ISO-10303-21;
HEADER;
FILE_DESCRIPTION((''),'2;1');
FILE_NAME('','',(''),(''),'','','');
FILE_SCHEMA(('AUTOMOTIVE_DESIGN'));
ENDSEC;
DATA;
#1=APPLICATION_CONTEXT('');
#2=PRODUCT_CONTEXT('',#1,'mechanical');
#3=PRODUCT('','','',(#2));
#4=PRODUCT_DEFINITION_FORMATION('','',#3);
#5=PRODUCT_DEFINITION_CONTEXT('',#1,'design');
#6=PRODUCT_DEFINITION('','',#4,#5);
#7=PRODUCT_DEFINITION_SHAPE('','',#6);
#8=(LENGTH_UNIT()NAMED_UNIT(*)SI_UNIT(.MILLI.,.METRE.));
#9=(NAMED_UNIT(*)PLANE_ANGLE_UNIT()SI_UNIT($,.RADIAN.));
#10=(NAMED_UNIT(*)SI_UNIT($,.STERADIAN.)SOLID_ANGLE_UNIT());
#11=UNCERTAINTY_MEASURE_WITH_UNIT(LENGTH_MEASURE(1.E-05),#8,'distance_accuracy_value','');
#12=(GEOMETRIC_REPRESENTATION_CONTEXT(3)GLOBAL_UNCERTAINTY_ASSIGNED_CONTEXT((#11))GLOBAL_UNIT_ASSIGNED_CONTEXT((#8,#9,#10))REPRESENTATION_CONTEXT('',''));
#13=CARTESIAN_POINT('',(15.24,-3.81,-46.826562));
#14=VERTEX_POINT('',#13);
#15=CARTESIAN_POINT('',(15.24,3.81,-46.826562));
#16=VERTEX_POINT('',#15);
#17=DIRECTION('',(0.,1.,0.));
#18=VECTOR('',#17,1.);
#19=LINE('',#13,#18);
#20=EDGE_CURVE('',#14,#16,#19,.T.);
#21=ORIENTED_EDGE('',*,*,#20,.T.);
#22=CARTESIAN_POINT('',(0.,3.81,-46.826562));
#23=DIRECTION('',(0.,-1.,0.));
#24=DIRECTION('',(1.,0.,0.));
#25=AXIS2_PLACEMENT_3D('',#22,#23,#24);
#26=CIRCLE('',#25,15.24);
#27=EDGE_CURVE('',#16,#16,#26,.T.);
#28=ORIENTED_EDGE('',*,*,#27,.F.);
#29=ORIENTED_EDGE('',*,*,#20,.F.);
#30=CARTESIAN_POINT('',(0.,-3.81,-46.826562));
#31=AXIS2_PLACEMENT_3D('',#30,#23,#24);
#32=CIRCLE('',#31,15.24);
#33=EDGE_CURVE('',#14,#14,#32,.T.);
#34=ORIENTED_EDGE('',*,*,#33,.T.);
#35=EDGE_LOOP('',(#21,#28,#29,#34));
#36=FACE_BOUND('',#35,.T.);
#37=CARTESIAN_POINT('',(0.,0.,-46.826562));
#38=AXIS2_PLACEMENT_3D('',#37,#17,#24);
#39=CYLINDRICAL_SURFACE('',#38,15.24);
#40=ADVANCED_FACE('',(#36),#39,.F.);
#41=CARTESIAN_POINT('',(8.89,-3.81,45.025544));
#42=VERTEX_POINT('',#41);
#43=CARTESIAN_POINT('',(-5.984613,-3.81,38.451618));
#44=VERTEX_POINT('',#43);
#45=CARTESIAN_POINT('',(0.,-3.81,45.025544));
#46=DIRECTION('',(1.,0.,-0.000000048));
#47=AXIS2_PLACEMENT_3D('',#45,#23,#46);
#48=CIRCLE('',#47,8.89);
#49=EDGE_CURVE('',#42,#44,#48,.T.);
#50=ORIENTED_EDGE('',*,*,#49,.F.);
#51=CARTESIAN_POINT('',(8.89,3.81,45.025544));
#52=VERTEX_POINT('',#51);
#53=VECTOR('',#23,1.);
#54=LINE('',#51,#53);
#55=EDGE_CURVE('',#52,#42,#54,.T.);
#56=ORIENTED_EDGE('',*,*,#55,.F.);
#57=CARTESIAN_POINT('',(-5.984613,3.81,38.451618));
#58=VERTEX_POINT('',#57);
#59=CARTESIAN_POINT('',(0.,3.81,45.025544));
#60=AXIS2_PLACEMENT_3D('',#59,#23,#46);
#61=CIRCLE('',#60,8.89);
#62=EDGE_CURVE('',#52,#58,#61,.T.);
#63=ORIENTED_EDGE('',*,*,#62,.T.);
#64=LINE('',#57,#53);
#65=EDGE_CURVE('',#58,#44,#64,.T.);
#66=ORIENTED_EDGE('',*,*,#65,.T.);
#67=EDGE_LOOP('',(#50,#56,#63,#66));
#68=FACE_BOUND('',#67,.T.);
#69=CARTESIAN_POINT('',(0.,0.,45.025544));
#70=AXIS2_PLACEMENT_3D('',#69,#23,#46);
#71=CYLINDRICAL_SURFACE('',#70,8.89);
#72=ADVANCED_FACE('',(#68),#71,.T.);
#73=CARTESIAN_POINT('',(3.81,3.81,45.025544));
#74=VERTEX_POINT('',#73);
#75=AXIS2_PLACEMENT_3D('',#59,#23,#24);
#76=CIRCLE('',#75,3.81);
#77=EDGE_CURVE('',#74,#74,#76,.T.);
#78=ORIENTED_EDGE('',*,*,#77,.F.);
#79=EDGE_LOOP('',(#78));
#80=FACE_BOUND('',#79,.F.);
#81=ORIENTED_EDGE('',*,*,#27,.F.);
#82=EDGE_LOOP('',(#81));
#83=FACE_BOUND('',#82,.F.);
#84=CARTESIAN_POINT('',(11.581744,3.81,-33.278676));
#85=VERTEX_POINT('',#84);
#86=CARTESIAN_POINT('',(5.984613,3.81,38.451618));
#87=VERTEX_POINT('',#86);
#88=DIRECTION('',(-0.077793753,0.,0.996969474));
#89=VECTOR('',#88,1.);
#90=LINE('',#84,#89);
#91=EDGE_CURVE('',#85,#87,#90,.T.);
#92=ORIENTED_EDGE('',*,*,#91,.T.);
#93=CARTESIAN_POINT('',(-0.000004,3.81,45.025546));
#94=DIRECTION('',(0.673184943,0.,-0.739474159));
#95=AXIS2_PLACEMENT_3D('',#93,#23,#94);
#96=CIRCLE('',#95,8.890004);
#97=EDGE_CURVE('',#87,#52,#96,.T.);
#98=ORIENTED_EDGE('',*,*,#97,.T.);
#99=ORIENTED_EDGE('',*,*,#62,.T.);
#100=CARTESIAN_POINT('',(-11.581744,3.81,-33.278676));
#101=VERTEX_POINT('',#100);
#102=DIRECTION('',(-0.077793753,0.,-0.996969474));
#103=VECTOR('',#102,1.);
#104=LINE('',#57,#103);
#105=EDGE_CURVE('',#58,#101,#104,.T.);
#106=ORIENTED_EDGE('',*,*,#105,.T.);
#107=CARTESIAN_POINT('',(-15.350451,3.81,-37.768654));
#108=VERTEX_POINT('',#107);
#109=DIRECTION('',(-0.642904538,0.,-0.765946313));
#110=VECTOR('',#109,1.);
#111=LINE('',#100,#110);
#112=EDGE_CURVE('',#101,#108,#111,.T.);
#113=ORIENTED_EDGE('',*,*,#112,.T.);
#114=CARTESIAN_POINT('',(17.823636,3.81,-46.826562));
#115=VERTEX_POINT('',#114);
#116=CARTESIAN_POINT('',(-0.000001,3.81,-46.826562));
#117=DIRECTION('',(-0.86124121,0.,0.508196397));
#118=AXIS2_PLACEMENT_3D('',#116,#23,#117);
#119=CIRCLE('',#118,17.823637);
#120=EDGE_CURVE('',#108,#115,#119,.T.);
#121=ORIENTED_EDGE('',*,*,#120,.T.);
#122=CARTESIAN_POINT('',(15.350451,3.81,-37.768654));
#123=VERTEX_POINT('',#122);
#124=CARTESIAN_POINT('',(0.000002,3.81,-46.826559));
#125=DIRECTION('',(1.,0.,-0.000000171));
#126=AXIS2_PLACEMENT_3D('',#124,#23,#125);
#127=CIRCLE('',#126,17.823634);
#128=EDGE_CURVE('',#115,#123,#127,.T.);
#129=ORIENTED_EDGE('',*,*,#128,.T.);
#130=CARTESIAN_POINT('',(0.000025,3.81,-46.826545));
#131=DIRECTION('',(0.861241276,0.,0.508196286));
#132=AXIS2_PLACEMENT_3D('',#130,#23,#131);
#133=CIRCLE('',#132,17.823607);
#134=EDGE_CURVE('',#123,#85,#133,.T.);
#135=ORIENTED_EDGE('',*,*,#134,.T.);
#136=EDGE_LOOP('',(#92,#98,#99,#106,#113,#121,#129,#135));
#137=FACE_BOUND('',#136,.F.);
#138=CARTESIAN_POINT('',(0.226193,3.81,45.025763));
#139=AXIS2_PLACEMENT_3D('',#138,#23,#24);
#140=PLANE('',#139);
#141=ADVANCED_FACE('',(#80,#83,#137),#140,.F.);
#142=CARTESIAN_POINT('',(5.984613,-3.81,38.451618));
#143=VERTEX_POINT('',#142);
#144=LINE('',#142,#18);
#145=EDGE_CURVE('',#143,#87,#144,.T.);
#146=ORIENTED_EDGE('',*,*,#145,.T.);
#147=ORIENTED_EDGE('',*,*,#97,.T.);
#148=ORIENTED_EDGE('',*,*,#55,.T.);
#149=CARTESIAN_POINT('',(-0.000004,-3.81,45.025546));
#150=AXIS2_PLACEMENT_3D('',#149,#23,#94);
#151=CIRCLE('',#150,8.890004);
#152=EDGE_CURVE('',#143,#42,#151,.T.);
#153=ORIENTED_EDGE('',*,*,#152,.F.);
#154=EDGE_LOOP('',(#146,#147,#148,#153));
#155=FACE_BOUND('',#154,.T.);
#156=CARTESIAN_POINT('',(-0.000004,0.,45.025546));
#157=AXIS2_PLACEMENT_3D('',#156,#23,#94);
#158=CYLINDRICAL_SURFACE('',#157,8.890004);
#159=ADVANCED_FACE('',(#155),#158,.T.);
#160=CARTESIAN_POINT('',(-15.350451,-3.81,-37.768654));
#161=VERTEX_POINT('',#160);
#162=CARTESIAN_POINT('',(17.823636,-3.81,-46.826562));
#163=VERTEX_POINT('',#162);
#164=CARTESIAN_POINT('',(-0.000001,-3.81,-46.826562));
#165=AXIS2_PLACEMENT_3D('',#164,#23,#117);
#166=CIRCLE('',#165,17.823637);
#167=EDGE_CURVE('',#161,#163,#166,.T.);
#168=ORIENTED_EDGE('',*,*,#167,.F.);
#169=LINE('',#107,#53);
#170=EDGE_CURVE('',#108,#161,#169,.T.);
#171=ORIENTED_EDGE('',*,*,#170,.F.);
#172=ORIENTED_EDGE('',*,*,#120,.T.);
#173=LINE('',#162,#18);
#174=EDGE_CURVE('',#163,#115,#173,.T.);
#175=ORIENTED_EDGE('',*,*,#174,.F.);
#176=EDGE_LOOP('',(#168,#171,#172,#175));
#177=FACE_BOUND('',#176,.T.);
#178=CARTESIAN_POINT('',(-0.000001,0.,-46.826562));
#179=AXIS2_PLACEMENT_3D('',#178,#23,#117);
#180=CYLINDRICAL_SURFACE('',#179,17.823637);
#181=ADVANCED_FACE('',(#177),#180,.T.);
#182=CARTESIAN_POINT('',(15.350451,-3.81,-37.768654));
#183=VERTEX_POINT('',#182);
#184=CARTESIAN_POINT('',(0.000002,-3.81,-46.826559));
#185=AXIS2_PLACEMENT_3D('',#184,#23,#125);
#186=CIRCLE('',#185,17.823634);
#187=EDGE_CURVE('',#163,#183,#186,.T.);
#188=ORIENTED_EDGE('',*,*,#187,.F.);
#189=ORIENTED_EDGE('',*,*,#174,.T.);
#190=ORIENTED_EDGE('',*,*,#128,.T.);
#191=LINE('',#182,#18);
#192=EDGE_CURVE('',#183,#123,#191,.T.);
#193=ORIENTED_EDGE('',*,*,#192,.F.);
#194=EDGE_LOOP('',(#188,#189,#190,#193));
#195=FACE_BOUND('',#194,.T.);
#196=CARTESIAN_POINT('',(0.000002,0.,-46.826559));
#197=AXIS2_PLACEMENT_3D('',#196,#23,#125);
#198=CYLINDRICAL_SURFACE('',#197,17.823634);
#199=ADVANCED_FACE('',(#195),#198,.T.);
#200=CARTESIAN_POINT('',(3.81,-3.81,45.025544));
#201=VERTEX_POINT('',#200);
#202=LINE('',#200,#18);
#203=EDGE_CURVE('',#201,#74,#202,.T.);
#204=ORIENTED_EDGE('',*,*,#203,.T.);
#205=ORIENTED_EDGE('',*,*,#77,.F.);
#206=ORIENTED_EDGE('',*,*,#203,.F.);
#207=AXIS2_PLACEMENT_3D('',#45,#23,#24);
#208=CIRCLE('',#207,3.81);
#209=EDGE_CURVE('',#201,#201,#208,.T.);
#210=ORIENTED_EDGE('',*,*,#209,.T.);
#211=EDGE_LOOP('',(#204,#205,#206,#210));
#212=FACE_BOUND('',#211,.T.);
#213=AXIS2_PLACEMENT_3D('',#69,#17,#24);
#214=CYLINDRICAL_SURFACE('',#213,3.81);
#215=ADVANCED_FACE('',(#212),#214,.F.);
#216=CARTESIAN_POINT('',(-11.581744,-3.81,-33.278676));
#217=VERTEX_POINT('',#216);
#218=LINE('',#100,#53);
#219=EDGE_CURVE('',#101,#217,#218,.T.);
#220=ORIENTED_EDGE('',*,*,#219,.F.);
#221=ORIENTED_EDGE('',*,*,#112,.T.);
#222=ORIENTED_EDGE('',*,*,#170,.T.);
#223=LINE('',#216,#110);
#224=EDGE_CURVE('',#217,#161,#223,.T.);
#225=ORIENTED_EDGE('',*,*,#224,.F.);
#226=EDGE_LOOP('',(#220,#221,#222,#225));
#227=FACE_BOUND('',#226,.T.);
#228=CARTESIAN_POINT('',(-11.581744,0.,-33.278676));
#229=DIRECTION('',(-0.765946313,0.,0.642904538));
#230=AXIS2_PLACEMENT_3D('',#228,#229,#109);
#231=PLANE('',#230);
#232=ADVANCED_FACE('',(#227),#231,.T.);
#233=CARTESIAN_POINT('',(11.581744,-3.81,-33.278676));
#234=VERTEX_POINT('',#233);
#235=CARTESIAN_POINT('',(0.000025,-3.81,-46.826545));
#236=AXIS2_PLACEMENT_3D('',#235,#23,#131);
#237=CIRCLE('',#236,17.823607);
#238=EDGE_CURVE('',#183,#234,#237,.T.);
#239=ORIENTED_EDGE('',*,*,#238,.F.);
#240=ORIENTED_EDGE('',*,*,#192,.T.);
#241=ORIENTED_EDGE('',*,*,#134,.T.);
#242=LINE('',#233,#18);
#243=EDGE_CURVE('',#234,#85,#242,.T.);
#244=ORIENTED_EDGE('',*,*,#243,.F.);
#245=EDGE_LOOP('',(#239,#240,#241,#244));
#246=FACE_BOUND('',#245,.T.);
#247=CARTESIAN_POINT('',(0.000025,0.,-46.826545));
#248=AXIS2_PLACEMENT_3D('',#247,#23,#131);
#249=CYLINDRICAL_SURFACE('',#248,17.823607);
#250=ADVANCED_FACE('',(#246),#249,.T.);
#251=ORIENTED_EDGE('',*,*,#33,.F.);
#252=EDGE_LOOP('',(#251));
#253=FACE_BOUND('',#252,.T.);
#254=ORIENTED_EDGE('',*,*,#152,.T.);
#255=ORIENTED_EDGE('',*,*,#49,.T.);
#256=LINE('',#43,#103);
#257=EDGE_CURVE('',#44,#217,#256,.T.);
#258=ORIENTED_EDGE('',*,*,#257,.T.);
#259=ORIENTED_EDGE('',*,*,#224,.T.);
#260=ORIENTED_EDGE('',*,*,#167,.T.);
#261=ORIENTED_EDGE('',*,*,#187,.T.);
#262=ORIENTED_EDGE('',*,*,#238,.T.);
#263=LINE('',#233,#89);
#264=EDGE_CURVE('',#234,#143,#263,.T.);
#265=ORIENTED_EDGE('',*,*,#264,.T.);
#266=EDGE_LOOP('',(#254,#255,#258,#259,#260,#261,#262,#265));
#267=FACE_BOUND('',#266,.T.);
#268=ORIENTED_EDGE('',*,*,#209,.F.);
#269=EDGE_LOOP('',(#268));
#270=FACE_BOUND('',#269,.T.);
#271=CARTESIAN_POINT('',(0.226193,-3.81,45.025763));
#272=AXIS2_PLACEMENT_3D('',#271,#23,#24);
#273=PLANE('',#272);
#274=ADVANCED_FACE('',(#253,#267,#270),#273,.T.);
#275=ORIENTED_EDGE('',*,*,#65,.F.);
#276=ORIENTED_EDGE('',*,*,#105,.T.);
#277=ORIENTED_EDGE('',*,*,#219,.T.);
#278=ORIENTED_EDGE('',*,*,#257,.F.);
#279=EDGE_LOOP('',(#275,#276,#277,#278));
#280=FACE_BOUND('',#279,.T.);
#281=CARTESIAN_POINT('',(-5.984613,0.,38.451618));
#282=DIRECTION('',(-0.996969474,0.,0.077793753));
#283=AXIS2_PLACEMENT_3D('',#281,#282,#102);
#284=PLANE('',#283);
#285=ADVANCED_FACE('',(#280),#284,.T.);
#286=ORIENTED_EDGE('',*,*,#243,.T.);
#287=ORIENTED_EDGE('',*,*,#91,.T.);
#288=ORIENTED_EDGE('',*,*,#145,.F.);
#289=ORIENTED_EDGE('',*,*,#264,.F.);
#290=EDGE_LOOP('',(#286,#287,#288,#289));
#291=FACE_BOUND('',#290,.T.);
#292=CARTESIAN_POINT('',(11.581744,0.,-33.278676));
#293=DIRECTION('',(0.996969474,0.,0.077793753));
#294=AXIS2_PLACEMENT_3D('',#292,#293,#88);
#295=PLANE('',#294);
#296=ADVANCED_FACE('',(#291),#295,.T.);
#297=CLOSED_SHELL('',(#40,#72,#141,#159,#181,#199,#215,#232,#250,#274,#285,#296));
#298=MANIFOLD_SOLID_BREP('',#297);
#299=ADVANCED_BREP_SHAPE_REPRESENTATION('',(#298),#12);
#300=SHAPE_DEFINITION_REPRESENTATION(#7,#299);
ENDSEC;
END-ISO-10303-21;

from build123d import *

# Parameters (mm, degrees)
F0_R     = 3.81
F0_R_2   = 15.24
F1_DEPTH = 3.81


with BuildPart() as f1:
    # F0 (on Front) → F1 (new body, symmetric)
    with BuildSketch(Plane.XZ):
        with BuildLine():
            ThreePointArc((5.984613, 38.451618), (8.131276, 41.431877), (8.89, 45.025544))
            ThreePointArc((8.89, 45.025544), (-3.593667, 53.156821), (-5.984613, 38.451618))
            Line((-5.984613, 38.451618), (5.984613, 38.451618))
        make_face()
        with Locations((0, 45.025544)):
            Circle(F0_R, mode=Mode.SUBTRACT)
        with BuildLine():
            ThreePointArc((5.984613, 38.451618), (0, 36.135544), (-5.984613, 38.451618))
            Line((-5.984613, 38.451618), (-11.581744, -33.278676))
            ThreePointArc((-11.581744, -33.278676), (0, -29.002925), (11.581744, -33.278676))
            Line((11.581744, -33.278676), (5.984613, 38.451618))
        make_face()
        with BuildLine():
            Line((5.984613, 38.451618), (-5.984613, 38.451618))
            ThreePointArc((-5.984613, 38.451618), (0, 36.135544), (5.984613, 38.451618))
        make_face()
        with BuildLine():
            ThreePointArc((17.823636, -46.826562), (17.194227, -42.131822), (15.350451, -37.768654))
            ThreePointArc((15.350451, -37.768654), (13.651951, -35.367667), (11.581744, -33.278676))
            ThreePointArc((11.581744, -33.278676), (0, -29.002925), (-11.581744, -33.278676))
            Line((-11.581744, -33.278676), (-15.350451, -37.768654))
            ThreePointArc((-15.350451, -37.768654), (-4.69474, -64.020789), (17.823636, -46.826562))
        make_face()
        with Locations((0, -46.826562)):
            Circle(F0_R_2, mode=Mode.SUBTRACT)
    extrude(amount=F1_DEPTH, both=True)


solid = f1.part
